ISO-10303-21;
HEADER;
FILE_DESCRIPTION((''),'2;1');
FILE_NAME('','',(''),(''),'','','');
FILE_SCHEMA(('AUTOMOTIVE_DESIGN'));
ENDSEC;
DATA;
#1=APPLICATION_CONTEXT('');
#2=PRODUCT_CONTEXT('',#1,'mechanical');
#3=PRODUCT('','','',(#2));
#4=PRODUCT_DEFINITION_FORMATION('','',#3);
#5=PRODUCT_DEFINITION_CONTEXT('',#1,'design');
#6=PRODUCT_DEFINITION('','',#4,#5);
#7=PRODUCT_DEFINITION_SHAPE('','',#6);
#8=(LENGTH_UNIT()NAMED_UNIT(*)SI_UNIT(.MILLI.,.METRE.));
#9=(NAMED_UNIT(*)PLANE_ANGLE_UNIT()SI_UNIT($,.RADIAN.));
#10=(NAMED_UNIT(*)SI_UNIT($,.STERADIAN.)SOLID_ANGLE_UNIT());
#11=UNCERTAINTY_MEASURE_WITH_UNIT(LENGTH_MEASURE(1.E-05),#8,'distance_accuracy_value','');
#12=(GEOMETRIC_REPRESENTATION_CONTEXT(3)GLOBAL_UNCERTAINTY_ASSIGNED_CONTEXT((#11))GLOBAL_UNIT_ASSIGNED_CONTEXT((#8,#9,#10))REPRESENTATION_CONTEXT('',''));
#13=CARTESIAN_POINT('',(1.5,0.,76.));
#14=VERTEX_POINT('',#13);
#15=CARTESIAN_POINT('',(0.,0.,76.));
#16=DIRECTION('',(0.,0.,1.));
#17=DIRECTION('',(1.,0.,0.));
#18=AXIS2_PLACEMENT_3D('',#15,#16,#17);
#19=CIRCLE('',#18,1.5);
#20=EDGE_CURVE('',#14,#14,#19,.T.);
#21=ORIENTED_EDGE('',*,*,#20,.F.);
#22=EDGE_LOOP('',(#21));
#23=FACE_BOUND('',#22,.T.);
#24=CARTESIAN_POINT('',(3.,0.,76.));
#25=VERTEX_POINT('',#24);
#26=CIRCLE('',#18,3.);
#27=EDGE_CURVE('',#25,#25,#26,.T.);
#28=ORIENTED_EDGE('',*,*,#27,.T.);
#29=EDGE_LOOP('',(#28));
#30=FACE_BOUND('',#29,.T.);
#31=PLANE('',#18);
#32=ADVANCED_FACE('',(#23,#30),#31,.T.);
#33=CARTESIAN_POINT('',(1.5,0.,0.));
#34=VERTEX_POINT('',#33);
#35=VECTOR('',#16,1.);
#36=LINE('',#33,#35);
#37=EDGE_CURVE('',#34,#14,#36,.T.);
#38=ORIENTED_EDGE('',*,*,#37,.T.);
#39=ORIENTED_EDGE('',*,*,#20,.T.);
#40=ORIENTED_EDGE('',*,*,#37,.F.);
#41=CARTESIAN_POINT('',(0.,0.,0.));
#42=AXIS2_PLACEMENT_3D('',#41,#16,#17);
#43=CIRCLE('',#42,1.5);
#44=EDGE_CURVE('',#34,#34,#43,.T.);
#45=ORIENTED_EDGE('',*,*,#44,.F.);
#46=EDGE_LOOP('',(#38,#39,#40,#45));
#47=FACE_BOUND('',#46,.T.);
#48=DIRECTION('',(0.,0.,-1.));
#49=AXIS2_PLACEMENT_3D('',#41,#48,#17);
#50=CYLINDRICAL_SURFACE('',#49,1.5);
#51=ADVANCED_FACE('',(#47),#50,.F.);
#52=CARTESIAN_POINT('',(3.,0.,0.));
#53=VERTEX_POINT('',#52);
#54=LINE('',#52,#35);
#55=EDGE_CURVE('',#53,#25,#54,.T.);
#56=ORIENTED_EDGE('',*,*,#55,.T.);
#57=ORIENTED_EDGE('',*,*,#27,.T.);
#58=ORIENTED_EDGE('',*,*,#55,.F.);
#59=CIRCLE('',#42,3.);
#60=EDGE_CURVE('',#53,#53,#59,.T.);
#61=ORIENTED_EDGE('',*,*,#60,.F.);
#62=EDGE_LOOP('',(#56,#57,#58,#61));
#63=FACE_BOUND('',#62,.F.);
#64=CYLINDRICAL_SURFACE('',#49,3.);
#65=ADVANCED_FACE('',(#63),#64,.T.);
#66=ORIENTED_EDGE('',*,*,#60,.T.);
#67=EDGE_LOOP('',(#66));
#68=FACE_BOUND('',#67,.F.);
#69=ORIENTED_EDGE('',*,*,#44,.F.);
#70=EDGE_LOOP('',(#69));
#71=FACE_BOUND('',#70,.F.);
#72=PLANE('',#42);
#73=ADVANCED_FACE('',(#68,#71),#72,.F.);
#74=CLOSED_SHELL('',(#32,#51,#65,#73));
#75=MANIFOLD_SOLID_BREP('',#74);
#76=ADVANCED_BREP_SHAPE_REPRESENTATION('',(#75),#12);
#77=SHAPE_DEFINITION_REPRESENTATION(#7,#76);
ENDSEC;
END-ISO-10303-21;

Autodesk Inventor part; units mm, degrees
ref_plane "YZ Plane" through (0, 0, 0) normal (1, 0, 0) x (0, 1, 0)
ref_plane "XZ Plane" through (0, 0, 0) normal (0, 1, 0) x (-1, 0, 0)
ref_plane "XY Plane" through (0, 0, 0) normal (0, 0, 1) x (1, 0, 0)
sketch "スケッチ1" plane through (0, 0, 0) normal (0, 0, 1) x (1, 0, 0)
  circle A0 centre (0, 0) radius 3
  circle A1 centre (0, 0) radius 1.5
  dimension "d0" = 6
  dimension "d1" = 3
extrude "押し出し1" add sketch "スケッチ1" along normal blind 76
properties part number "スペーサーm3-67　簡易筒型　売ってない"
